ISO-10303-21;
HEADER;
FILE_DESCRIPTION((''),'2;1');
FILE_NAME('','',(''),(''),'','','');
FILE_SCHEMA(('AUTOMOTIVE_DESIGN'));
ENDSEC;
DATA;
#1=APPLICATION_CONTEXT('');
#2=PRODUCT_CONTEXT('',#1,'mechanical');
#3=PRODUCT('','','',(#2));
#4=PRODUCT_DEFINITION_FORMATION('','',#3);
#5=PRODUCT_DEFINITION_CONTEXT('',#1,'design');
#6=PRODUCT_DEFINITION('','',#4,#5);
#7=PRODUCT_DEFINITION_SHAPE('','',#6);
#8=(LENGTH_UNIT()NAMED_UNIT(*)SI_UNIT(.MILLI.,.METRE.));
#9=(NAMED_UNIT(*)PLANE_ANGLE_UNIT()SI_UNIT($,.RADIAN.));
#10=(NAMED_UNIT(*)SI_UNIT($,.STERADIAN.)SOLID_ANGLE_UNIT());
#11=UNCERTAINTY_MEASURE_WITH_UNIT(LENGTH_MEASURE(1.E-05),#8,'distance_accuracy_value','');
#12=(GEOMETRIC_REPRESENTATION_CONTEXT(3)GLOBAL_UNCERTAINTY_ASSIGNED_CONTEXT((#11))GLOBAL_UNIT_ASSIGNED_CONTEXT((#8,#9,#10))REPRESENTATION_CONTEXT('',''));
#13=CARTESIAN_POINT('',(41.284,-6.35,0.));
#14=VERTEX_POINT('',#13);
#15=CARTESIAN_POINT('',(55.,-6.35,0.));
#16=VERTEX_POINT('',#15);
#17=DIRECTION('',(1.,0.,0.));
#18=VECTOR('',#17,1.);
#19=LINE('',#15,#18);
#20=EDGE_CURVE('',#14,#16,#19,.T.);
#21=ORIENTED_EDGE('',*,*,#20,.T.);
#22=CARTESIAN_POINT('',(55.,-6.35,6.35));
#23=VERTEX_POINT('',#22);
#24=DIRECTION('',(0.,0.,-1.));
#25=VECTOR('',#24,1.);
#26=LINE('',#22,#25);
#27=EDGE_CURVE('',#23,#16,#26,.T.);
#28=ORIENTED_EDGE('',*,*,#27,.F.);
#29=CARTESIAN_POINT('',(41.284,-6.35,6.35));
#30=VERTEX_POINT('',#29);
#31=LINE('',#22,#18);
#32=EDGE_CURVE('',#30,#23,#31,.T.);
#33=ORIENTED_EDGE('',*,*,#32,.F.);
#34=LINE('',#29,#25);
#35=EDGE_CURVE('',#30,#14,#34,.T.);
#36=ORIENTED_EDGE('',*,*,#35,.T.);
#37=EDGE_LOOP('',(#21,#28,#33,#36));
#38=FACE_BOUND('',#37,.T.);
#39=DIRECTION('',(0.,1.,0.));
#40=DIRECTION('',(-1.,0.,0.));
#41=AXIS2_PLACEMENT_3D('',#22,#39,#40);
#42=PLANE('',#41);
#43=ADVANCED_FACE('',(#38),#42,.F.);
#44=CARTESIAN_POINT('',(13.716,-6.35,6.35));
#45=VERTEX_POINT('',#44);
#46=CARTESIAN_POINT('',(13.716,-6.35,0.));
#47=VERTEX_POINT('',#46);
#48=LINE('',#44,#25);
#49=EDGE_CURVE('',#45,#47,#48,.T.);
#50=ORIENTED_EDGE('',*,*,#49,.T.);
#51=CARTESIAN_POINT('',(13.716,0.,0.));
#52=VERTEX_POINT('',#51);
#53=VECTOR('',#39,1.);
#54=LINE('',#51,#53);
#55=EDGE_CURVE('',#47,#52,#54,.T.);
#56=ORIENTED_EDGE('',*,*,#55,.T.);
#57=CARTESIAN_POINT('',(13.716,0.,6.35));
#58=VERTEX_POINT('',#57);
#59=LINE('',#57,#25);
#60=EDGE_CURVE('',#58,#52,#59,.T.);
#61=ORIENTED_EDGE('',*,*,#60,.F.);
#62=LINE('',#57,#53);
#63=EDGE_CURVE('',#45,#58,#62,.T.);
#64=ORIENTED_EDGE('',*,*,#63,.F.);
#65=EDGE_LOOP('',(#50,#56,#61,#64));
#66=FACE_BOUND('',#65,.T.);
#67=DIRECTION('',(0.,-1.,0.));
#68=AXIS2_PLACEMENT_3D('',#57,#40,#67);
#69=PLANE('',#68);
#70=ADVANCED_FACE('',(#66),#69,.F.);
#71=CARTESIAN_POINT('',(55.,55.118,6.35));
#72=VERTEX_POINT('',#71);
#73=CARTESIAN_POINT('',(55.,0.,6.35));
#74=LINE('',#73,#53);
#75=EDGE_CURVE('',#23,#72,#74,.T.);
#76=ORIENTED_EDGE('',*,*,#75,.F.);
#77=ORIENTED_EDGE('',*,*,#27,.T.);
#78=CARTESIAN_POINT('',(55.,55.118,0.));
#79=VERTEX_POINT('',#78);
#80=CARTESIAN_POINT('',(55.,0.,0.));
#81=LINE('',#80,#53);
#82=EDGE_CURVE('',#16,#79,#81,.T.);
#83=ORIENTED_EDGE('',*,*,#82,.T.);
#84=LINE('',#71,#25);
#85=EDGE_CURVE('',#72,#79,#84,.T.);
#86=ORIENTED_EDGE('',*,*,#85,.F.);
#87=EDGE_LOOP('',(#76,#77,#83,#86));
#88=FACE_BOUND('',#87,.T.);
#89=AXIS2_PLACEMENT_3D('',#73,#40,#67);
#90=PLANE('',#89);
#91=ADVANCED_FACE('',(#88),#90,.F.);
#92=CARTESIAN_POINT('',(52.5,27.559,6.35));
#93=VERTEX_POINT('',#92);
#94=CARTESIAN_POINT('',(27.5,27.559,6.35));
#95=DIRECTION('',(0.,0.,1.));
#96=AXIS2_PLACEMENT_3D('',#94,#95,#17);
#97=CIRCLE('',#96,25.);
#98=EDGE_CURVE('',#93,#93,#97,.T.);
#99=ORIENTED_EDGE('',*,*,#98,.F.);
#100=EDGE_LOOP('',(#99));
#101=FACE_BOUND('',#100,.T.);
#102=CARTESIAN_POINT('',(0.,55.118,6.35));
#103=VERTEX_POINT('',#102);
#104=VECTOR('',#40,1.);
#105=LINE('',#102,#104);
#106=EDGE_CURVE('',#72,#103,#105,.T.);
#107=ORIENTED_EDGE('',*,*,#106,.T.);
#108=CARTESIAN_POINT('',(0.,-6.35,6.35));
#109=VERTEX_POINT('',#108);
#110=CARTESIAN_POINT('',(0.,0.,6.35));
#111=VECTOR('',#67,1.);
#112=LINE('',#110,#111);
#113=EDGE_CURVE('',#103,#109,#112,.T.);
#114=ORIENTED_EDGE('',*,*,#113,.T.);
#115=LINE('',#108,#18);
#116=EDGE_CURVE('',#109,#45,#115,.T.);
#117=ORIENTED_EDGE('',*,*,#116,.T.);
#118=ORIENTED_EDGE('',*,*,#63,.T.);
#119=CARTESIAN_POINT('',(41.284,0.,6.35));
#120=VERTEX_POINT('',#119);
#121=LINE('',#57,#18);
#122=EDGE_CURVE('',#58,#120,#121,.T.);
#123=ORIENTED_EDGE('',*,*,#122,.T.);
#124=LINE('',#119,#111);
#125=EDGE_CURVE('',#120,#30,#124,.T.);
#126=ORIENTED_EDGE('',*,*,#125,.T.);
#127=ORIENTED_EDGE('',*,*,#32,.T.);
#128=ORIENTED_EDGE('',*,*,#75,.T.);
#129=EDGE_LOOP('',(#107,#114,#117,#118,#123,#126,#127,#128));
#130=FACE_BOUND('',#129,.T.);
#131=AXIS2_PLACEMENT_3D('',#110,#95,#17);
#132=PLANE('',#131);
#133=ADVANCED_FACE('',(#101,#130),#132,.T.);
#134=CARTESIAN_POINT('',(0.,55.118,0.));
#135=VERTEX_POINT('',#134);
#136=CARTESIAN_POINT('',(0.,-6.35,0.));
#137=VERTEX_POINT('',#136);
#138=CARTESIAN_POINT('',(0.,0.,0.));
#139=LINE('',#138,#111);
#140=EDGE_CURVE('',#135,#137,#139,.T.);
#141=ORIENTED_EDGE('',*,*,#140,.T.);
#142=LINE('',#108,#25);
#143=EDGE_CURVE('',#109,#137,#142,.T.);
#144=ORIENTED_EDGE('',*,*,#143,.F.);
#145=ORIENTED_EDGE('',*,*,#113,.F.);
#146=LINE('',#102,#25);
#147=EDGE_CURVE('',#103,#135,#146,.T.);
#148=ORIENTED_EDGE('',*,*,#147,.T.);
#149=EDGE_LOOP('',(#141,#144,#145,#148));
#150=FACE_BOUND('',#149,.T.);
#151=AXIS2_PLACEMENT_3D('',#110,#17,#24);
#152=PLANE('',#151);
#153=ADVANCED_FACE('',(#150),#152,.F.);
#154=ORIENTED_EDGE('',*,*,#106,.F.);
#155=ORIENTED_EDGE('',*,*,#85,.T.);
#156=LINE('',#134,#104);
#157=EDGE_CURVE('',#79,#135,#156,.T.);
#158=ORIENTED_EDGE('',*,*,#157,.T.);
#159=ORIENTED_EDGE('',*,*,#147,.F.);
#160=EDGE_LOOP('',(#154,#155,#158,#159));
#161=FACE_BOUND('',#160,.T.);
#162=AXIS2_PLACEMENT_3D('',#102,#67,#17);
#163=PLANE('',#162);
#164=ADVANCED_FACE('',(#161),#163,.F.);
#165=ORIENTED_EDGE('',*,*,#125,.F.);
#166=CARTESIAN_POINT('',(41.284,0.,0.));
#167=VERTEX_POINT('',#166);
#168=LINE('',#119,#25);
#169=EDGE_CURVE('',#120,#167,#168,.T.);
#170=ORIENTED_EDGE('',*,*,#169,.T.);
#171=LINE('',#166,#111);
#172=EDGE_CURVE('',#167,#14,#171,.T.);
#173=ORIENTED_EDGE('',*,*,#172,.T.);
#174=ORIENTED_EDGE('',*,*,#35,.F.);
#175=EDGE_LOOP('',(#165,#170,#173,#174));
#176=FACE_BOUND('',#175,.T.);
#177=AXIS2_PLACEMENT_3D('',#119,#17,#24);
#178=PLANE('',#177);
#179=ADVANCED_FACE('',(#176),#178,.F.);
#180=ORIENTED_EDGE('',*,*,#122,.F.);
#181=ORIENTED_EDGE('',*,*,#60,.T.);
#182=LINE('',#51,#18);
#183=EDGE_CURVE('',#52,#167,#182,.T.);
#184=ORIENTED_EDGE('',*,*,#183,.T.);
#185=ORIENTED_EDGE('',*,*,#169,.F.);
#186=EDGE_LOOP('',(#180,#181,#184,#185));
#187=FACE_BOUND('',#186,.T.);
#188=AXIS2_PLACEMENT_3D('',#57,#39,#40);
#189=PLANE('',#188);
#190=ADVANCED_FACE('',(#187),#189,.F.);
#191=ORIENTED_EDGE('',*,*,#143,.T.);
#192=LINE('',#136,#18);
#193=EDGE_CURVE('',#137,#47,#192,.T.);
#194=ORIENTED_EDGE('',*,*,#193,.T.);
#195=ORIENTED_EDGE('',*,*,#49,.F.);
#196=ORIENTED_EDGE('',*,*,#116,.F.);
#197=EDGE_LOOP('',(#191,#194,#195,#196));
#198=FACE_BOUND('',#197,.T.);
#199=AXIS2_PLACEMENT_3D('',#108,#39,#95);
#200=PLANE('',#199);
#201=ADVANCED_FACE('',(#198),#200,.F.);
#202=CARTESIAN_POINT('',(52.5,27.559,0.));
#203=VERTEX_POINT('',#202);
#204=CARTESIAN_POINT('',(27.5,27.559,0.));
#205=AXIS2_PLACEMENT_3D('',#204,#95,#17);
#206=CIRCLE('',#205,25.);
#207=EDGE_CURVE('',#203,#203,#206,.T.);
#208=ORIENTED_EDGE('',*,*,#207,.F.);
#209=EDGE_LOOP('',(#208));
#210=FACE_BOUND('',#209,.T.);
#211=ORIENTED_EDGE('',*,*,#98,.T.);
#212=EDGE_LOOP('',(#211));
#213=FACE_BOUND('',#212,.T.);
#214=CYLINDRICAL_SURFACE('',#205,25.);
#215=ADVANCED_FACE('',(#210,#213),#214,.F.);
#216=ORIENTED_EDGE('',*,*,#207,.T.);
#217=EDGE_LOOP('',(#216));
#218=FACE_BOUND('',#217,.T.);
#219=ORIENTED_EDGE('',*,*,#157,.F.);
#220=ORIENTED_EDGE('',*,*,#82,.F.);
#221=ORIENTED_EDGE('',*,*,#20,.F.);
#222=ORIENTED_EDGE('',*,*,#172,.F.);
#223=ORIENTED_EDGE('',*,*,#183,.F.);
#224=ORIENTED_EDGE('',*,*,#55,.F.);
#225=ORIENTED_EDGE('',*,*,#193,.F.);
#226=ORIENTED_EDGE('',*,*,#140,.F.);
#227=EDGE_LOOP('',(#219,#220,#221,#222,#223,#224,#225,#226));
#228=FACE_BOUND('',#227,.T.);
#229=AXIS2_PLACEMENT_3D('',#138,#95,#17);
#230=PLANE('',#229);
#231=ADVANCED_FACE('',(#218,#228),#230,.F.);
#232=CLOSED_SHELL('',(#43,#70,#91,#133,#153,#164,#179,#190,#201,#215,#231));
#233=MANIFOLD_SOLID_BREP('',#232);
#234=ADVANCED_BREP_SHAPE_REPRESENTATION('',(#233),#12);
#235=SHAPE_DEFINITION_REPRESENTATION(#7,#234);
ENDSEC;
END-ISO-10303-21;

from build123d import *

# Parameters (mm, degrees)
BOSS_EXTRUDE1_DEPTH     = 6.35
CUT_EXTRUDE1_DEPTH      = 79.123725091
CUT_EXTRUDE1_DEPTH_BACK = 79.123725091
SKETCH3_R               = 25.000000038


with BuildPart() as part:
    # Sketch2 → Boss-Extrude1 (new body)
    with BuildSketch(Plane.XY):
        Polygon((13.716, 0), (41.283999982, 0), (41.283999982, -6.35), (54.999999982, -6.35), (54.999999982, 0), (54.999999982, 55.118), (0, 55.118), (0, 0), (0, -6.35), (13.716, -6.35), align=None)
    extrude(amount=BOSS_EXTRUDE1_DEPTH)

    # Sketch3 → Cut-Extrude1 (cut, two sides: drawn at the far end of the back side and taken through both)
    with BuildSketch(Plane.XY.offset(6.35).offset(-CUT_EXTRUDE1_DEPTH_BACK)):
        with Locations((27.499999991, 27.559)):
            Circle(SKETCH3_R)
    extrude(amount=CUT_EXTRUDE1_DEPTH + CUT_EXTRUDE1_DEPTH_BACK, mode=Mode.SUBTRACT)


solid = part.part
